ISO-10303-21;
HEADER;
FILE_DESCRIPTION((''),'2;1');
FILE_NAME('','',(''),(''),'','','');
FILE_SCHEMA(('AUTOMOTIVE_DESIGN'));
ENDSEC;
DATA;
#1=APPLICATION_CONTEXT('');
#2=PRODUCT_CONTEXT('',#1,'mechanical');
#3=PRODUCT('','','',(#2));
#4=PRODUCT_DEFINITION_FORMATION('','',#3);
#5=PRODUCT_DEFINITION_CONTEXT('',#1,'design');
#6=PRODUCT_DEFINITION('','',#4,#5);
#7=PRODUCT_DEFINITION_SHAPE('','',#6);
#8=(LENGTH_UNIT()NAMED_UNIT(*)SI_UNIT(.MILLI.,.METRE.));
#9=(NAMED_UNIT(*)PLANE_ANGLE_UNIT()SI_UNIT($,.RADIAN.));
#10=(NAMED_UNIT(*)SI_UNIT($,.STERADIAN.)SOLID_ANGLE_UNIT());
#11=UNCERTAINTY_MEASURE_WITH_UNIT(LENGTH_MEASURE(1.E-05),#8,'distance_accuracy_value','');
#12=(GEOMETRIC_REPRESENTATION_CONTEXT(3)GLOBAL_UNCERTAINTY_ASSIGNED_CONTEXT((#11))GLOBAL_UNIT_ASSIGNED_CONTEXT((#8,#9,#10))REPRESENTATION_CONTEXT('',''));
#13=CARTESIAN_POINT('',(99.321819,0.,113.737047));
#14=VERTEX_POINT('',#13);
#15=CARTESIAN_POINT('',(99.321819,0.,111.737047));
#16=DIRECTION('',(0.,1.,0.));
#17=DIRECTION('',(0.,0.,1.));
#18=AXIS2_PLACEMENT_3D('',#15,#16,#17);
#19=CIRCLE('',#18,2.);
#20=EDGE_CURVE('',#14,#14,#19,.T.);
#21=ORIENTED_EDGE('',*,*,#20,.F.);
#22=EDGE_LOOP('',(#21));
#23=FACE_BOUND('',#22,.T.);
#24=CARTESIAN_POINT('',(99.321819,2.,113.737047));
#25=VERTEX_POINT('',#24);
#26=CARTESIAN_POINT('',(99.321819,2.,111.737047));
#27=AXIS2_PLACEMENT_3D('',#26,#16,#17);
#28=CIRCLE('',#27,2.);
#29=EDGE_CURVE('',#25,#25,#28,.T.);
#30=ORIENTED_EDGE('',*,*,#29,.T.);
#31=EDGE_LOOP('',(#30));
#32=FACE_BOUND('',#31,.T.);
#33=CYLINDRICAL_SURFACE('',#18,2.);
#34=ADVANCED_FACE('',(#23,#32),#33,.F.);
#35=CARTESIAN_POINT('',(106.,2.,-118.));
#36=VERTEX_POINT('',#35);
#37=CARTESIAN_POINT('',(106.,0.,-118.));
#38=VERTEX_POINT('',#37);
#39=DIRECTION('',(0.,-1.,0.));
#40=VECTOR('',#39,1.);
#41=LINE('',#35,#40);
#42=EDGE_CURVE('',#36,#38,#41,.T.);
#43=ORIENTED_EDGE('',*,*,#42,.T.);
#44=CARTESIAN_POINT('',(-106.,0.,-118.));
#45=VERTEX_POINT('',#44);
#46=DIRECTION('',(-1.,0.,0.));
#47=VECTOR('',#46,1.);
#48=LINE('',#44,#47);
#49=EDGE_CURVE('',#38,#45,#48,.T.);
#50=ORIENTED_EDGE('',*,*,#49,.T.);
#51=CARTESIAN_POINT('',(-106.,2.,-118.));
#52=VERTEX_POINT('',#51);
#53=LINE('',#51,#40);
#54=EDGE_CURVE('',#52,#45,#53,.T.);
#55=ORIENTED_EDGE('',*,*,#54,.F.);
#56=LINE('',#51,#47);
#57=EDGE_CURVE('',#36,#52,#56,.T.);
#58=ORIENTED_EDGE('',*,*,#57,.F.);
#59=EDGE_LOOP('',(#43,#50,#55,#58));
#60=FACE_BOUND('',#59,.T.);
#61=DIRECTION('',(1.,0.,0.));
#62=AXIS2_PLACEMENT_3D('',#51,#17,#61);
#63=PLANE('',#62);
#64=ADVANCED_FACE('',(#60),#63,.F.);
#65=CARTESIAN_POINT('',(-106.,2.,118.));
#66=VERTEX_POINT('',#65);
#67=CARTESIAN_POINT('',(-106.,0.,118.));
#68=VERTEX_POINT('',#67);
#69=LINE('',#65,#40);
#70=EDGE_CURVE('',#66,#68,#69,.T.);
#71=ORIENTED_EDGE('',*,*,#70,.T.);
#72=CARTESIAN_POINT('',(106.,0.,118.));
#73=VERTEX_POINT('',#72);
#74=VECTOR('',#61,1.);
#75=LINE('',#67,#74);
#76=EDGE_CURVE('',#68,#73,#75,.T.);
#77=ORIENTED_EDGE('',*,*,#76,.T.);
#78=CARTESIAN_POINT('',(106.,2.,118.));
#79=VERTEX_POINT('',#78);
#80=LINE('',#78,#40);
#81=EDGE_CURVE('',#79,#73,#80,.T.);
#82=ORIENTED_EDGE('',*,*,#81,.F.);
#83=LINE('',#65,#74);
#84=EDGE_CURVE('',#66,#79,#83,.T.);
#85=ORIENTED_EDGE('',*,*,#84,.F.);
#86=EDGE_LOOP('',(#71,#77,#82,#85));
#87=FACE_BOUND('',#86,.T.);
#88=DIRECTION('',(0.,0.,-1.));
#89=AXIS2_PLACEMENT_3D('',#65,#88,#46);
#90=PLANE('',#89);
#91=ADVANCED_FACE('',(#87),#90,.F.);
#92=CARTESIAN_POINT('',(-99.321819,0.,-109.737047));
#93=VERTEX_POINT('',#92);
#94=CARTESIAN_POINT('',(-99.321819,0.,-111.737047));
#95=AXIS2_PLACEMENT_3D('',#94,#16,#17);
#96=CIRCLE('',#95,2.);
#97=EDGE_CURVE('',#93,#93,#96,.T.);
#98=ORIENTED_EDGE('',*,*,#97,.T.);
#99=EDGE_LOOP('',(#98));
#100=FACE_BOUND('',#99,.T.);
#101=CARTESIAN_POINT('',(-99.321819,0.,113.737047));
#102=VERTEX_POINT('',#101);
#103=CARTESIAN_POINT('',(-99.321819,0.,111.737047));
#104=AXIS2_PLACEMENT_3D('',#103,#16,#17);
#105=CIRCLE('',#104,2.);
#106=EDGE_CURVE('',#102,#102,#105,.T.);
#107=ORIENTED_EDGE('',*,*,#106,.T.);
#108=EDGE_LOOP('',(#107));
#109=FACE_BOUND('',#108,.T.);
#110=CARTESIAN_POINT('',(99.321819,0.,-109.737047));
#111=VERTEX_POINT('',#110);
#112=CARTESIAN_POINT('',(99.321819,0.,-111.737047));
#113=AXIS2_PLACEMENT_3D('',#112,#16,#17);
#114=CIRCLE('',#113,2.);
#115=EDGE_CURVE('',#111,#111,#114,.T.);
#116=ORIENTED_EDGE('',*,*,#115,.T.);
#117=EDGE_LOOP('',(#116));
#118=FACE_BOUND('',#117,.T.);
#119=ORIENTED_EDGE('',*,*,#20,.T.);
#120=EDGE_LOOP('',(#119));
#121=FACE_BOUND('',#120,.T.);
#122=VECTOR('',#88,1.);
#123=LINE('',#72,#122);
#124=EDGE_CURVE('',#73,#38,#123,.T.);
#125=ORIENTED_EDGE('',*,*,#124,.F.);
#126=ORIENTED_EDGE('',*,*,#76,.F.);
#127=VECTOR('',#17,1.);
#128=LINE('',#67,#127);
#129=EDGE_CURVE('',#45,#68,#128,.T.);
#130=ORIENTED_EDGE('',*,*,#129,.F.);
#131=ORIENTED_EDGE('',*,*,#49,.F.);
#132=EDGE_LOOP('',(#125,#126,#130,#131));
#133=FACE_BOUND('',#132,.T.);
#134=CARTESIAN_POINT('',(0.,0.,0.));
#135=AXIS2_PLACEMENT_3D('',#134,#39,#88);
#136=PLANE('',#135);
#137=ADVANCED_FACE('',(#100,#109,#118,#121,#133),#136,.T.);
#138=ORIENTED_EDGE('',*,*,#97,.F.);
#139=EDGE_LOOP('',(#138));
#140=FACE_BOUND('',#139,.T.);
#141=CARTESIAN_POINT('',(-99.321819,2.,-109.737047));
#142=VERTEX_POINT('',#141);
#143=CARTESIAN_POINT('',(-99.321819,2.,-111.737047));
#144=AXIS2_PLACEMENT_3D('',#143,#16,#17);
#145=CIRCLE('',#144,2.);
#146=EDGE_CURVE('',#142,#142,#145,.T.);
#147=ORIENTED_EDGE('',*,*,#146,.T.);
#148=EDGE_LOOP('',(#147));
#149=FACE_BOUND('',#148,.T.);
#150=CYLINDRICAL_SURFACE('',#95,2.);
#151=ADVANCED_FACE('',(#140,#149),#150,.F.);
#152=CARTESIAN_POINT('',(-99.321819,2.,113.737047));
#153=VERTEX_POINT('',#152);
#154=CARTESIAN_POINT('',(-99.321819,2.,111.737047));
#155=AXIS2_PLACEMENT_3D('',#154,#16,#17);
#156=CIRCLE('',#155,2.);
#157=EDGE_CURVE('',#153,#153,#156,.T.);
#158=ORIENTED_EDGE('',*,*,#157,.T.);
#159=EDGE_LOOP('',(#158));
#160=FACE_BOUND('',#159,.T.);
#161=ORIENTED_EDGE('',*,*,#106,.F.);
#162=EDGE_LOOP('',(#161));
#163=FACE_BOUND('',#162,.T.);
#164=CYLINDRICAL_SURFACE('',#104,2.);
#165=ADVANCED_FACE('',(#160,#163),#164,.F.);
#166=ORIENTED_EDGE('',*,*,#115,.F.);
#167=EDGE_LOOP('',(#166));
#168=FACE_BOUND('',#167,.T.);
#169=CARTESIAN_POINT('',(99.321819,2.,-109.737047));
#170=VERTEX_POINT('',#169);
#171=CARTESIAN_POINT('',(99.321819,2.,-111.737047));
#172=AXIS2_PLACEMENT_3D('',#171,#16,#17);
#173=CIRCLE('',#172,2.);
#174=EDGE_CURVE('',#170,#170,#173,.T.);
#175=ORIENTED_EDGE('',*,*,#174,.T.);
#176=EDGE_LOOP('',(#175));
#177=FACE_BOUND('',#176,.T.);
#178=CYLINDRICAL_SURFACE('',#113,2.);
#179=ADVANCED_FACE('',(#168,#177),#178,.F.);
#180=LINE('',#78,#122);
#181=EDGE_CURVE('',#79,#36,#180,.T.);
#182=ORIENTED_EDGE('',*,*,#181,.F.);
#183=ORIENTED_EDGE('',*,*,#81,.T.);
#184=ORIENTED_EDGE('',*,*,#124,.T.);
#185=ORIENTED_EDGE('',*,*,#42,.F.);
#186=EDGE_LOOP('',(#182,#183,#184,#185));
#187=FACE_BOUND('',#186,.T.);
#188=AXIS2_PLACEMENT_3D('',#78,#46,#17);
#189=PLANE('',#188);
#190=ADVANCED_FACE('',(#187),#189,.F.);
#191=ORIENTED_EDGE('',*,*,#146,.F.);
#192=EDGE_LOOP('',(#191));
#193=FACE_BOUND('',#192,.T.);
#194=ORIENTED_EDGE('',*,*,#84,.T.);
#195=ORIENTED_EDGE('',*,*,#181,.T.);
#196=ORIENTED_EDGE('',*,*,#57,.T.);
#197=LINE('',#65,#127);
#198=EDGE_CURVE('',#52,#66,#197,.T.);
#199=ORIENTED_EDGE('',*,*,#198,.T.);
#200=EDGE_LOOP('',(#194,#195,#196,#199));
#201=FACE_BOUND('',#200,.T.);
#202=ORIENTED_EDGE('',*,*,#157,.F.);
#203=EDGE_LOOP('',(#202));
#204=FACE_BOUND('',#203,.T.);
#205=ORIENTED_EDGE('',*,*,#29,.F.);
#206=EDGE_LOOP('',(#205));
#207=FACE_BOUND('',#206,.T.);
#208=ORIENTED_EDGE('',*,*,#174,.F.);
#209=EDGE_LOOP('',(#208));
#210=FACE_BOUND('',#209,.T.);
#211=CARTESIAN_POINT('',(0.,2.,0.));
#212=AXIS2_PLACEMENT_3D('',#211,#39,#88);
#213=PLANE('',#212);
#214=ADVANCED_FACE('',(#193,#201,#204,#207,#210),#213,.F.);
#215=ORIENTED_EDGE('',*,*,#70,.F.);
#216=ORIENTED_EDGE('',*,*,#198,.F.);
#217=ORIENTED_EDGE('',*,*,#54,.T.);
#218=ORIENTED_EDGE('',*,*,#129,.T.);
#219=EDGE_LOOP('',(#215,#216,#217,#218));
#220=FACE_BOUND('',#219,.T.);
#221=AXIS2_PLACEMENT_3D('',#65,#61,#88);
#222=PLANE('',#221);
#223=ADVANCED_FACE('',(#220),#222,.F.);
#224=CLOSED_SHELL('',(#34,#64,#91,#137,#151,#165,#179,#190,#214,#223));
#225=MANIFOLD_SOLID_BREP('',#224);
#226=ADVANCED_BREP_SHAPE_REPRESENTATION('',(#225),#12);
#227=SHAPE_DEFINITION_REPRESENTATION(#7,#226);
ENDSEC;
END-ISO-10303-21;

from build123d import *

# Parameters (mm, degrees)
SKETCH1_W           = 212
SKETCH1_H           = 236
BOSS_EXTRUDE1_DEPTH = 2
SKETCH2_R           = 2
CUT_EXTRUDE1_DEPTH  = 159.631648797


with BuildPart() as part:
    # Sketch1 → Boss-Extrude1 (new body)
    with BuildSketch(Plane(origin=(0, 0, 0), x_dir=(1, 0, 0), z_dir=(0, 1, 0))):
        Rectangle(SKETCH1_W, SKETCH1_H)
    extrude(amount=BOSS_EXTRUDE1_DEPTH)

    # Sketch2 → Cut-Extrude1 (cut, through all)
    with BuildSketch(Plane(origin=(0, 2, 0), x_dir=(1, 0, 0), z_dir=(0, 1, 0))):
        with Locations(Location((99.321819194, 111.737046593, 0), (0, 0, 270))):
            Circle(SKETCH2_R)
        with Locations(Location((-99.321819194, 111.737046593, 0), (0, 0, 270))):
            Circle(SKETCH2_R)
        with Locations(Location((-99.321819194, -111.737046593, 0), (0, 0, 270))):
            Circle(SKETCH2_R)
        with Locations(Location((99.321819194, -111.737046593, 0), (0, 0, 270))):
            Circle(SKETCH2_R)
    extrude(amount=-CUT_EXTRUDE1_DEPTH, mode=Mode.SUBTRACT)


solid = part.part
